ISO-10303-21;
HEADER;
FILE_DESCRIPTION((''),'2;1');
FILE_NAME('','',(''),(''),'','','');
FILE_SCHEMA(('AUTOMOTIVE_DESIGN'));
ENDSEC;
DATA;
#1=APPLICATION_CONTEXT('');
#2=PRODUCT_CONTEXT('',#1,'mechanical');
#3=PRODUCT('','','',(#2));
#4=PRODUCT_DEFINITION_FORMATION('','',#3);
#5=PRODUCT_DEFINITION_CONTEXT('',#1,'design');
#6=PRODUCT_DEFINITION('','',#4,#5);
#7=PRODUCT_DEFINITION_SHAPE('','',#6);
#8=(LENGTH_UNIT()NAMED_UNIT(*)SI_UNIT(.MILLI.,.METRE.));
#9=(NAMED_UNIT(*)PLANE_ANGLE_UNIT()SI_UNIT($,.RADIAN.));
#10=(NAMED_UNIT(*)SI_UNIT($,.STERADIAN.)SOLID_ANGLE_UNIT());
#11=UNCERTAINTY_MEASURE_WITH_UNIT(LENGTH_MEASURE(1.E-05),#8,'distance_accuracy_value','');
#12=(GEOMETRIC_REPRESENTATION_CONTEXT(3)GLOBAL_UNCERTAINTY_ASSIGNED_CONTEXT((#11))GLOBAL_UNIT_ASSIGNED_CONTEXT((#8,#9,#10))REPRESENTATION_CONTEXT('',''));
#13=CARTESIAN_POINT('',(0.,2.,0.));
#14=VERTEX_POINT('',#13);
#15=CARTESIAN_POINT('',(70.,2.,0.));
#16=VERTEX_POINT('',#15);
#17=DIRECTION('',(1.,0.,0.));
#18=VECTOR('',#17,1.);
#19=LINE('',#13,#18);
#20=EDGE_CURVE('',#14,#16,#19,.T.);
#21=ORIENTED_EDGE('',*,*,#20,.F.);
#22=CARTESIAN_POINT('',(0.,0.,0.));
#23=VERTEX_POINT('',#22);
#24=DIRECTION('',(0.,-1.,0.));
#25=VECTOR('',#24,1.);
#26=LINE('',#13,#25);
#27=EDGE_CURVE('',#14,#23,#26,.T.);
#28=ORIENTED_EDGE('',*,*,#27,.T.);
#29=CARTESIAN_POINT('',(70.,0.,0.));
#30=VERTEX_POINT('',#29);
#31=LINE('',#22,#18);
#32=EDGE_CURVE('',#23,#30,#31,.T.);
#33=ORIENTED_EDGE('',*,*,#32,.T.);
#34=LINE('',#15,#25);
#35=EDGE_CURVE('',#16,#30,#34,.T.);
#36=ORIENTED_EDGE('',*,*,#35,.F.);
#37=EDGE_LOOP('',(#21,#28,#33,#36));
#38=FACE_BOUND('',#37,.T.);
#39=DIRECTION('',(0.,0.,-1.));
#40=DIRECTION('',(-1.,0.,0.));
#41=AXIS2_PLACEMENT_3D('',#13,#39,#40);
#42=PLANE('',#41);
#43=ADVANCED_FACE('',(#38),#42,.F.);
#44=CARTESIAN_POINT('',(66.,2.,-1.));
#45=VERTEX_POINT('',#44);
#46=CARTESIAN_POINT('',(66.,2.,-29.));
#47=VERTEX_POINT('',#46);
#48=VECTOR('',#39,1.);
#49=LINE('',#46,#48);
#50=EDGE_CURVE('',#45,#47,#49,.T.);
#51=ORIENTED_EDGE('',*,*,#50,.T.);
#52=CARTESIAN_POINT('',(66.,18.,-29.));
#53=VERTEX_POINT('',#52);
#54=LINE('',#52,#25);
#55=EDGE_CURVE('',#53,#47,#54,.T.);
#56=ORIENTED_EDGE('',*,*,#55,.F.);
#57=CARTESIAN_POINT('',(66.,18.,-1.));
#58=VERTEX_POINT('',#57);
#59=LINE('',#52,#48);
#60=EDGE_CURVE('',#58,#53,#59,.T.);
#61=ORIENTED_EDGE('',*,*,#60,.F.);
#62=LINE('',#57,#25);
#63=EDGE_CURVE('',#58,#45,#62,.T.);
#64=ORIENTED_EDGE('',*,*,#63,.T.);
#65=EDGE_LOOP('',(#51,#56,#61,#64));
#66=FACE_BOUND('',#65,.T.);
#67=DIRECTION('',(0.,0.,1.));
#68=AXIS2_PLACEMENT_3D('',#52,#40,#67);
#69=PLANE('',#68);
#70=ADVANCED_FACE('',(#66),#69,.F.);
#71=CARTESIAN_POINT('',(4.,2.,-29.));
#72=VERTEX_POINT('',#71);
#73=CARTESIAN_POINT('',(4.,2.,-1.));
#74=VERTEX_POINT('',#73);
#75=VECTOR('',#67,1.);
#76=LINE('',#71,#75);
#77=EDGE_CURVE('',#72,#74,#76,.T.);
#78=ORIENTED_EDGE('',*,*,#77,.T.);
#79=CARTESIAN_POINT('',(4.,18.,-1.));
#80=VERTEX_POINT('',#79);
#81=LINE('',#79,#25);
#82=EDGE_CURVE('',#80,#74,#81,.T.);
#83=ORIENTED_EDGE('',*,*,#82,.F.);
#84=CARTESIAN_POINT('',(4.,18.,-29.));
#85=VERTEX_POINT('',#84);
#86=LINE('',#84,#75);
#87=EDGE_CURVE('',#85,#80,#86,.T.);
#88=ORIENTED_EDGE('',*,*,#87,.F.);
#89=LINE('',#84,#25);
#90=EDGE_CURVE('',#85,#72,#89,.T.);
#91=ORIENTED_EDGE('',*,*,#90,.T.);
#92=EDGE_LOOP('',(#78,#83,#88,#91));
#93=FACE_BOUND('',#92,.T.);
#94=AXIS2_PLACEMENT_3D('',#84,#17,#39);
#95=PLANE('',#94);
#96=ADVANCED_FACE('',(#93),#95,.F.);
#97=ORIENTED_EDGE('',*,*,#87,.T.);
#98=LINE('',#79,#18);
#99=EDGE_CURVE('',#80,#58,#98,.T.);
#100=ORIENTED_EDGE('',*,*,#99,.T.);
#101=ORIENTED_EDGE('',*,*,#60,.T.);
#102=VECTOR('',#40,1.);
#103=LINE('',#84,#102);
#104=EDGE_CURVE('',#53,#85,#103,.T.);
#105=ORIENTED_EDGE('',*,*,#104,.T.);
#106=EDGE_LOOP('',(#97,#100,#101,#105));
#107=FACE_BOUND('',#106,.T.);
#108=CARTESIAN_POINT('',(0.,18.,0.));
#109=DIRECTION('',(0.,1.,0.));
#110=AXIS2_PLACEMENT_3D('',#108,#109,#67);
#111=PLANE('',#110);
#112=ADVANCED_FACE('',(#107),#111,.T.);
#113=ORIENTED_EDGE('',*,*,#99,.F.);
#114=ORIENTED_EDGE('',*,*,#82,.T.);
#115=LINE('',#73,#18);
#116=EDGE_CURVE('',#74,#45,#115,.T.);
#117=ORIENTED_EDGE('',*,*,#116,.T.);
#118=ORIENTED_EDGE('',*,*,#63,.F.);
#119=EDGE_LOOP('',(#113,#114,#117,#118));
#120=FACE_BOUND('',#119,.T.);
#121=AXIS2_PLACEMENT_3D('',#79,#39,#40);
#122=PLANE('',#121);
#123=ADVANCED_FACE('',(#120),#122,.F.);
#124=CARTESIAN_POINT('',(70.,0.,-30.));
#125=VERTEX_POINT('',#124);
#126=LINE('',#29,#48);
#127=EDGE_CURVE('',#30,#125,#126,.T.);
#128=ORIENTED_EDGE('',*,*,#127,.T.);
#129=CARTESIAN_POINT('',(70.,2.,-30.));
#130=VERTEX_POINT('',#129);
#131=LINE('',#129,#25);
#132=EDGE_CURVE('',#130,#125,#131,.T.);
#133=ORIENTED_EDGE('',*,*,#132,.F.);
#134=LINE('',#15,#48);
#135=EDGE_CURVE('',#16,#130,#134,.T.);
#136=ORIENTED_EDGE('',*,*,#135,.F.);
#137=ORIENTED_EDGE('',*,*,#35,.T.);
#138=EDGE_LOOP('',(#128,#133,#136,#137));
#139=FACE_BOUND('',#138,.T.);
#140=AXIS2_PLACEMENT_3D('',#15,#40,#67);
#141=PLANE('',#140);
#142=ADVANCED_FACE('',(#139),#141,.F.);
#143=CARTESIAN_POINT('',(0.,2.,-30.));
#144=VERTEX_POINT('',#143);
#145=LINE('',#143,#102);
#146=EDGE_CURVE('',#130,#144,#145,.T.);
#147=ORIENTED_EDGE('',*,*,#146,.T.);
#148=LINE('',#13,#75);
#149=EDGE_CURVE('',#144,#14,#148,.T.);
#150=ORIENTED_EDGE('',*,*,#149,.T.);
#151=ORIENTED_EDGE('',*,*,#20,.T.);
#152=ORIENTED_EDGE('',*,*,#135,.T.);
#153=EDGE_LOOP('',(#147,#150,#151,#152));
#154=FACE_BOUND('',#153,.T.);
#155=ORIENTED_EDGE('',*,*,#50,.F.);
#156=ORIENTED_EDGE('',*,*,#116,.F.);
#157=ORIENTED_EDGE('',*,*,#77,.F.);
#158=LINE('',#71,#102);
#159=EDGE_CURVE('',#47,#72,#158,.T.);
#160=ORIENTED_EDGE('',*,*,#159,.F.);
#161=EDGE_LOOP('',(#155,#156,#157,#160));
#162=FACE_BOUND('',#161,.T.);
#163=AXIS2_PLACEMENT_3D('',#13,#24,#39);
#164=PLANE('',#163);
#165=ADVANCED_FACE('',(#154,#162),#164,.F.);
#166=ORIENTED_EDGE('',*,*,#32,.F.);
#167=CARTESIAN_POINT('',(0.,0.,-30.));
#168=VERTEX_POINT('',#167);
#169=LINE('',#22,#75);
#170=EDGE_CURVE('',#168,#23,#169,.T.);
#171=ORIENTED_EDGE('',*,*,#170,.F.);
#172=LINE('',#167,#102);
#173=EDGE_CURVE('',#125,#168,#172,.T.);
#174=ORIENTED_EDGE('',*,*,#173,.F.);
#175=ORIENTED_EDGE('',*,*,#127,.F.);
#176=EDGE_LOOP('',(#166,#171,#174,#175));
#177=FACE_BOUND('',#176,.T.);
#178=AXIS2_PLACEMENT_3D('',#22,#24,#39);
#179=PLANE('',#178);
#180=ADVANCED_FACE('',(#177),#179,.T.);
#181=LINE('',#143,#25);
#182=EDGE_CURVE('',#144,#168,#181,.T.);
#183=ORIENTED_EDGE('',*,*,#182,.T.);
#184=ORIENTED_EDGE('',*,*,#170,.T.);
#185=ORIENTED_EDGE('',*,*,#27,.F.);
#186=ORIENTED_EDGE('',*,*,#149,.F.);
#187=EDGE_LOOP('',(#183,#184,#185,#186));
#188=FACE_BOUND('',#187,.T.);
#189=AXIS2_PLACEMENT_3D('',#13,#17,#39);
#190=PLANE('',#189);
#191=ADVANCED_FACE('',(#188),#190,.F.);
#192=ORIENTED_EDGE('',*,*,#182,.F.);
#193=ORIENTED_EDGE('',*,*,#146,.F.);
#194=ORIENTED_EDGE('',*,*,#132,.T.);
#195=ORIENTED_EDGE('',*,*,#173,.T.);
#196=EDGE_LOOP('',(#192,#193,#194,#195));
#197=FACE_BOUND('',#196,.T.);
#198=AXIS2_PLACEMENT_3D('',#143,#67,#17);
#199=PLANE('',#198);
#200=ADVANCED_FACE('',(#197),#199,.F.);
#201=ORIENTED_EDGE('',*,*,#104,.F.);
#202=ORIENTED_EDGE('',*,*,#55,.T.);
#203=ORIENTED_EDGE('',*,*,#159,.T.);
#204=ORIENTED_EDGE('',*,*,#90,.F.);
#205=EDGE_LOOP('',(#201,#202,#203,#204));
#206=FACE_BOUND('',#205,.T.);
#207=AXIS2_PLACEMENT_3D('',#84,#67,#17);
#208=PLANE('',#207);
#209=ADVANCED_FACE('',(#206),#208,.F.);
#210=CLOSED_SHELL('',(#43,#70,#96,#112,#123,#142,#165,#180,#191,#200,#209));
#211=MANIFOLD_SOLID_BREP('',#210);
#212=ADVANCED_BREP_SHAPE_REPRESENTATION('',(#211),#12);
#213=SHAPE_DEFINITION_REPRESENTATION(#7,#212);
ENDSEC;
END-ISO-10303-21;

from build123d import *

# Parameters (mm, degrees)
ESQUISSE1_W        = 70
ESQUISSE1_H        = 30
BOSS_EXTRU_1_DEPTH = 2
ESQUISSE2_W        = 62
ESQUISSE2_H        = 28
BOSS_EXTRU_2_DEPTH = 16


with BuildPart() as part:
    # Esquisse1 → Boss.-Extru.1 (new body)
    with BuildSketch(Plane(origin=(0, 0, 0), x_dir=(1, 0, 0), z_dir=(0, 1, 0))):
        with Locations((35, 15)):
            Rectangle(ESQUISSE1_W, ESQUISSE1_H)
    extrude(amount=BOSS_EXTRU_1_DEPTH)

    # Esquisse2 → Boss.-Extru.2 (add)
    with BuildSketch(Plane(origin=(0, 2, 0), x_dir=(1, 0, 0), z_dir=(0, 1, 0))):
        with Locations((35, 15)):
            Rectangle(ESQUISSE2_W, ESQUISSE2_H)
    extrude(amount=BOSS_EXTRU_2_DEPTH)


solid = part.part
